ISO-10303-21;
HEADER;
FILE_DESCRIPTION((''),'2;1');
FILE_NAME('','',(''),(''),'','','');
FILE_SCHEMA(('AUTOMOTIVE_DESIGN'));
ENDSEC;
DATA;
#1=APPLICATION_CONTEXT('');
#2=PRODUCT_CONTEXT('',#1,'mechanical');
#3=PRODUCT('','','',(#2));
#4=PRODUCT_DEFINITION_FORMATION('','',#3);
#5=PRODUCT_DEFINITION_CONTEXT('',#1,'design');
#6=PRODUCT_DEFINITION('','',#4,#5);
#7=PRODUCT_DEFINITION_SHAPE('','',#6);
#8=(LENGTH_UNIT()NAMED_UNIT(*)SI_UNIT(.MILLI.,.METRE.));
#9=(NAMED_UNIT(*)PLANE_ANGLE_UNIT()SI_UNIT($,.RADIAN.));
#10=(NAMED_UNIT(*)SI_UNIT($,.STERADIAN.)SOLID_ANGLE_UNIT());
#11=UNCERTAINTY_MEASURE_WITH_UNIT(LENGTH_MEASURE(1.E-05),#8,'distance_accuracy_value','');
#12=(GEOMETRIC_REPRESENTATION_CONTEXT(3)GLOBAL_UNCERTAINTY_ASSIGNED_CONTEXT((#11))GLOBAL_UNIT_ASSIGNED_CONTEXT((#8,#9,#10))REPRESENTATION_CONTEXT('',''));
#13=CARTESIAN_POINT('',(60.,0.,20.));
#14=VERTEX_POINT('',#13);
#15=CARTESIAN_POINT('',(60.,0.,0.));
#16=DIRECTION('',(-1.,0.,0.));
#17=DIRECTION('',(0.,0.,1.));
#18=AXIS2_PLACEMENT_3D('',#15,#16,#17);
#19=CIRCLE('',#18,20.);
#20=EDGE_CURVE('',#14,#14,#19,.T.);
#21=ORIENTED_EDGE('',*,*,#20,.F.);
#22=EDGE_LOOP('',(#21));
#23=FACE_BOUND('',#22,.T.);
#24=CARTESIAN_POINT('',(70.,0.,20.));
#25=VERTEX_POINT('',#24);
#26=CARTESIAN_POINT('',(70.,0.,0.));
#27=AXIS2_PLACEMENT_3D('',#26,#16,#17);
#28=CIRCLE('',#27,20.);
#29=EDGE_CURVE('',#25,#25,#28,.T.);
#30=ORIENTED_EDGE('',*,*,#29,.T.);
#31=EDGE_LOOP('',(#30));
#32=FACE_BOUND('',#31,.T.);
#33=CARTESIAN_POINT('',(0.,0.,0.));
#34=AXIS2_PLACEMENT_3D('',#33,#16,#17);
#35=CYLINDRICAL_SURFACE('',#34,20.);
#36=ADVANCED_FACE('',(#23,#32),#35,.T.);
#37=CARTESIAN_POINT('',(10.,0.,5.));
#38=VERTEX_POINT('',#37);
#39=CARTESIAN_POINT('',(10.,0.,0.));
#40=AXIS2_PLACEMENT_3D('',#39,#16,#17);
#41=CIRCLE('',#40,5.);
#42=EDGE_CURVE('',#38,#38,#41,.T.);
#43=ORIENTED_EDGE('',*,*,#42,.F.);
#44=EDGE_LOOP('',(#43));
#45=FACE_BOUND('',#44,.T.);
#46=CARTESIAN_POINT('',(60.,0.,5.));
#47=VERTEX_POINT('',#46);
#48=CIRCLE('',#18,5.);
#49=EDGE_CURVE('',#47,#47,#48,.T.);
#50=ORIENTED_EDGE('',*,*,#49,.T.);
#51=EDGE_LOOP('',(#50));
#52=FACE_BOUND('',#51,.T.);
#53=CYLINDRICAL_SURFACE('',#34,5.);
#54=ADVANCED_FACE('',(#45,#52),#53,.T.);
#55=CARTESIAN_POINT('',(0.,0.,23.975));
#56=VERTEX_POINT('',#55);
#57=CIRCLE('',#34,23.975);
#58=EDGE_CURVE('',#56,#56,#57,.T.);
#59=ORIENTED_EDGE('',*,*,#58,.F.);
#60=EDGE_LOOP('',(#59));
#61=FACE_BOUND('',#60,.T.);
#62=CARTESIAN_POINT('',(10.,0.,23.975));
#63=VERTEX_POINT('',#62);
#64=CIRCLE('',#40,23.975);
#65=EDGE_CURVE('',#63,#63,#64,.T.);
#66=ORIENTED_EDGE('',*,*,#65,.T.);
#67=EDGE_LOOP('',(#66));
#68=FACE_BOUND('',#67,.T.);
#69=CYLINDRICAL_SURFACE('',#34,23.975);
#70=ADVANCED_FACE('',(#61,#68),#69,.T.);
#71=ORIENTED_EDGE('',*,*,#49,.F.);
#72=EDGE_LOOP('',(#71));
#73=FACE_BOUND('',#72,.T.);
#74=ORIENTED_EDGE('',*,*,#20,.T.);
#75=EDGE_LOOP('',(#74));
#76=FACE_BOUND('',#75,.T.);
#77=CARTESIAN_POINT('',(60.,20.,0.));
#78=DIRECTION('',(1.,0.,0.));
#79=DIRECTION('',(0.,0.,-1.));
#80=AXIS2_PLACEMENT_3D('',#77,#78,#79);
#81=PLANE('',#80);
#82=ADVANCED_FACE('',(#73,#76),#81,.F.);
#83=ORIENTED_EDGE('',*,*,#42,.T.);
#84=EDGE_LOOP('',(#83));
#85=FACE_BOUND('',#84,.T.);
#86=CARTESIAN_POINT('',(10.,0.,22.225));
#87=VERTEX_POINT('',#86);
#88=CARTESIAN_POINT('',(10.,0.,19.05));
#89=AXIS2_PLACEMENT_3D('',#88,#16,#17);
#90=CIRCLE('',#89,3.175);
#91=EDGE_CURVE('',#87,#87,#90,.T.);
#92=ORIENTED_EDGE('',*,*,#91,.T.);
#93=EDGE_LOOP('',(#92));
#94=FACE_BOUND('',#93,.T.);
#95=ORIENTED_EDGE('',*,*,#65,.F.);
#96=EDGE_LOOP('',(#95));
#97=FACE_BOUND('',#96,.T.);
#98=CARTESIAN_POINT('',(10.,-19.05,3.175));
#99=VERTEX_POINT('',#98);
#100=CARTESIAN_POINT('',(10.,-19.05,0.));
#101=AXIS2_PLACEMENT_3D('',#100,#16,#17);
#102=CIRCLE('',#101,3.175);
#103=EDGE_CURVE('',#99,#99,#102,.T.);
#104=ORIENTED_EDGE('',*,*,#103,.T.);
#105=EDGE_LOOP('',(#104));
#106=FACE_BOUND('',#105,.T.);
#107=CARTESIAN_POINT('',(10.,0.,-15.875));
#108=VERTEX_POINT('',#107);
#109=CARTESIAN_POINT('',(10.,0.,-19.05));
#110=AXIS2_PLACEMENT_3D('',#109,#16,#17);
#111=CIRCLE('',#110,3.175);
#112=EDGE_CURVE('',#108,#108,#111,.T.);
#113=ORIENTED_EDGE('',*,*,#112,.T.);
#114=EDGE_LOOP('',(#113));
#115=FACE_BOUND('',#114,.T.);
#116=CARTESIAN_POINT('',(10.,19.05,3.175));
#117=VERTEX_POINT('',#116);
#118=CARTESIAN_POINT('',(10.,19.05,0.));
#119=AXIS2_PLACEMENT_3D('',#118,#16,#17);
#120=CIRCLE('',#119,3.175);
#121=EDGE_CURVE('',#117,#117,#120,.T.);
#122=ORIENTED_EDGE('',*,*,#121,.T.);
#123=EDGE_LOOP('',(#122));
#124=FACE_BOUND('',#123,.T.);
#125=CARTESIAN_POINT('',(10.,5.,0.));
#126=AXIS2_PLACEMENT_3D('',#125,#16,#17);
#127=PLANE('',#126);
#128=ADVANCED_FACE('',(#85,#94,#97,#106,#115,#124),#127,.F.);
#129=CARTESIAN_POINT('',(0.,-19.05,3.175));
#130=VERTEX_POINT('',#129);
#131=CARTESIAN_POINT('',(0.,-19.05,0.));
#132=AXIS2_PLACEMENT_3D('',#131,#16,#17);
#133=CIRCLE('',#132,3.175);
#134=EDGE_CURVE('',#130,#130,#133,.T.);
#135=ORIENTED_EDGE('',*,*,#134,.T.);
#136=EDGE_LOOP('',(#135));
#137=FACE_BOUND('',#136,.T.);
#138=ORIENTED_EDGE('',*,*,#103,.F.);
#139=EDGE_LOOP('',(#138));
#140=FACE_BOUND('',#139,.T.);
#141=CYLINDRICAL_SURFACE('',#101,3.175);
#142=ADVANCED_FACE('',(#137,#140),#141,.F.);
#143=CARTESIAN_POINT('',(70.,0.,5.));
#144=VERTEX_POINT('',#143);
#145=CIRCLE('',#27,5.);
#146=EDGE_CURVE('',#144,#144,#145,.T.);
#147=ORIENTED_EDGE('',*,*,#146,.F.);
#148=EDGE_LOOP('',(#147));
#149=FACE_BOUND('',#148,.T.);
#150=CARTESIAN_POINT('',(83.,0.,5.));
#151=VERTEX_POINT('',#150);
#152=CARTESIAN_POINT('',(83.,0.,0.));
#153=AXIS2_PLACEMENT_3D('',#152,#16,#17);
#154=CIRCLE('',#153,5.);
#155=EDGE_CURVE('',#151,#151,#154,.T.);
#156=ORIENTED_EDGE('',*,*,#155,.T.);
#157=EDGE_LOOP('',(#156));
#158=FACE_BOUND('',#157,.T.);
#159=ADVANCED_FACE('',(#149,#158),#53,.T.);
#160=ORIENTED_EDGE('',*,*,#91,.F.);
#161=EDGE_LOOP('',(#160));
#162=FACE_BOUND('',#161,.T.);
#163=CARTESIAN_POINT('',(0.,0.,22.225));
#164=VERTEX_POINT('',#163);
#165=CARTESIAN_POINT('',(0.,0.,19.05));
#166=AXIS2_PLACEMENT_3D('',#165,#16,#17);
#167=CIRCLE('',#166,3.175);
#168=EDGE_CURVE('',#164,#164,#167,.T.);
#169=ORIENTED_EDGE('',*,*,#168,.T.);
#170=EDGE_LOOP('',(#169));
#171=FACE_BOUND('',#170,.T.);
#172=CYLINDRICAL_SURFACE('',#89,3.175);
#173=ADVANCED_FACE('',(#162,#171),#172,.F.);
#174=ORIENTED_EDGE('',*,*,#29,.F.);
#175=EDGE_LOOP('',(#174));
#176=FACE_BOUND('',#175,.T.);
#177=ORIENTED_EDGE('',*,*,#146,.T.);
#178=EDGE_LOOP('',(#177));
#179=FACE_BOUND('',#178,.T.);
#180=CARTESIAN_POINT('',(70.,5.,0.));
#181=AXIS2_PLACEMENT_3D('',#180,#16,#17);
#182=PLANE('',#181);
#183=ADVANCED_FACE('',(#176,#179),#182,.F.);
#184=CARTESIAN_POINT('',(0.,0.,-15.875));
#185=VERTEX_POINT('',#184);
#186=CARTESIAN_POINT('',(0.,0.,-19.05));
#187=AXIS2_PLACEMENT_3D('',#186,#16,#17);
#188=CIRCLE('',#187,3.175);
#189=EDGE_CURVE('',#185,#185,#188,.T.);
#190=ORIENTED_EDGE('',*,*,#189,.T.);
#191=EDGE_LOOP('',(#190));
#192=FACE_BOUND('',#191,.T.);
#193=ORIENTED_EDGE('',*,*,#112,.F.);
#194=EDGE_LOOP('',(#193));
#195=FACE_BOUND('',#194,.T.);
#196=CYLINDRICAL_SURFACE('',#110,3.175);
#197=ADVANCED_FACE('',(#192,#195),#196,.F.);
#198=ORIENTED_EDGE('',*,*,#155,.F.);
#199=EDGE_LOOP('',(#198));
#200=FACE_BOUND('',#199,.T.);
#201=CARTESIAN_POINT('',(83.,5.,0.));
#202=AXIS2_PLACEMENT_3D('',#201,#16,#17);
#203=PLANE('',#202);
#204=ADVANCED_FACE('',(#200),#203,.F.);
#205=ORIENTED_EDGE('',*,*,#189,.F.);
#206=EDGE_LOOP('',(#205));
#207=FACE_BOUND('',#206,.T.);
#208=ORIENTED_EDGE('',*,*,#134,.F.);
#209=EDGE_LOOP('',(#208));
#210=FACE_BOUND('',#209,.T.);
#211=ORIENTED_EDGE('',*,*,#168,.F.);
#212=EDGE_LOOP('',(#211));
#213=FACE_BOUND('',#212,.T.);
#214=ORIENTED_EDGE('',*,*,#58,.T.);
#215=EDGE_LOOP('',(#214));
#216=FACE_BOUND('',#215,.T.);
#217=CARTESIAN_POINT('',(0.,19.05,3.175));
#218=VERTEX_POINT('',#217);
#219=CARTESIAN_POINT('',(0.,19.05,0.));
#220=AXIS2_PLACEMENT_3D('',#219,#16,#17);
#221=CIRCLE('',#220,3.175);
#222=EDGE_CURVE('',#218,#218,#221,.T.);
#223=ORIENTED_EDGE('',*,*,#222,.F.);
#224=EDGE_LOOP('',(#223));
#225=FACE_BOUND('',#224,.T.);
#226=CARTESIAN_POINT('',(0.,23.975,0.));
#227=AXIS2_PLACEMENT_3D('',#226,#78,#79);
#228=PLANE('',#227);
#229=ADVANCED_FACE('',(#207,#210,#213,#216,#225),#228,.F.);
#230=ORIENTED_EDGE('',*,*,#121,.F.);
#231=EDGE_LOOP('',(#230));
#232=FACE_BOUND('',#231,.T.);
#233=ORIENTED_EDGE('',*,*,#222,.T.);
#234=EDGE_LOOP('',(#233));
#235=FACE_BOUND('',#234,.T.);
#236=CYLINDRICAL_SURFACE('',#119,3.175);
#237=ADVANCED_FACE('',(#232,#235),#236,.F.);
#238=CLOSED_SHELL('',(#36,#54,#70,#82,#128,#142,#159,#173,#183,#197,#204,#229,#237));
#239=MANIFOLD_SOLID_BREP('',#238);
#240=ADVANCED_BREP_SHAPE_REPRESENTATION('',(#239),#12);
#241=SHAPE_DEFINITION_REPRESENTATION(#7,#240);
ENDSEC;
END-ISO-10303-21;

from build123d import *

# Parameters (mm, degrees)
SKETCH3_R          = 3.175
CUT_EXTRUDE1_DEPTH = 10


with BuildPart() as part:
    # Sketch1 → Revolve1 (revolve)
    with BuildSketch(Plane.XY):
        Polygon((83, 5), (70, 5), (70, 20), (60, 20), (60, 5), (10, 5), (10, 23.975), (0, 23.975), (0, 0), (83, 0), align=None)
    revolve(axis=Axis((0, 0, 0), (1, 0, 0)))

    # Sketch3 → Cut-Extrude1 (cut)
    with BuildSketch(Plane.ZY):
        with Locations((0, 19.05)):
            Circle(SKETCH3_R)
        with Locations((19.05, 0)):
            Circle(SKETCH3_R)
        with Locations((0, -19.05)):
            Circle(SKETCH3_R)
        with Locations((-19.05, 0)):
            Circle(SKETCH3_R)
    extrude(amount=-CUT_EXTRUDE1_DEPTH, mode=Mode.SUBTRACT)


solid = part.part
